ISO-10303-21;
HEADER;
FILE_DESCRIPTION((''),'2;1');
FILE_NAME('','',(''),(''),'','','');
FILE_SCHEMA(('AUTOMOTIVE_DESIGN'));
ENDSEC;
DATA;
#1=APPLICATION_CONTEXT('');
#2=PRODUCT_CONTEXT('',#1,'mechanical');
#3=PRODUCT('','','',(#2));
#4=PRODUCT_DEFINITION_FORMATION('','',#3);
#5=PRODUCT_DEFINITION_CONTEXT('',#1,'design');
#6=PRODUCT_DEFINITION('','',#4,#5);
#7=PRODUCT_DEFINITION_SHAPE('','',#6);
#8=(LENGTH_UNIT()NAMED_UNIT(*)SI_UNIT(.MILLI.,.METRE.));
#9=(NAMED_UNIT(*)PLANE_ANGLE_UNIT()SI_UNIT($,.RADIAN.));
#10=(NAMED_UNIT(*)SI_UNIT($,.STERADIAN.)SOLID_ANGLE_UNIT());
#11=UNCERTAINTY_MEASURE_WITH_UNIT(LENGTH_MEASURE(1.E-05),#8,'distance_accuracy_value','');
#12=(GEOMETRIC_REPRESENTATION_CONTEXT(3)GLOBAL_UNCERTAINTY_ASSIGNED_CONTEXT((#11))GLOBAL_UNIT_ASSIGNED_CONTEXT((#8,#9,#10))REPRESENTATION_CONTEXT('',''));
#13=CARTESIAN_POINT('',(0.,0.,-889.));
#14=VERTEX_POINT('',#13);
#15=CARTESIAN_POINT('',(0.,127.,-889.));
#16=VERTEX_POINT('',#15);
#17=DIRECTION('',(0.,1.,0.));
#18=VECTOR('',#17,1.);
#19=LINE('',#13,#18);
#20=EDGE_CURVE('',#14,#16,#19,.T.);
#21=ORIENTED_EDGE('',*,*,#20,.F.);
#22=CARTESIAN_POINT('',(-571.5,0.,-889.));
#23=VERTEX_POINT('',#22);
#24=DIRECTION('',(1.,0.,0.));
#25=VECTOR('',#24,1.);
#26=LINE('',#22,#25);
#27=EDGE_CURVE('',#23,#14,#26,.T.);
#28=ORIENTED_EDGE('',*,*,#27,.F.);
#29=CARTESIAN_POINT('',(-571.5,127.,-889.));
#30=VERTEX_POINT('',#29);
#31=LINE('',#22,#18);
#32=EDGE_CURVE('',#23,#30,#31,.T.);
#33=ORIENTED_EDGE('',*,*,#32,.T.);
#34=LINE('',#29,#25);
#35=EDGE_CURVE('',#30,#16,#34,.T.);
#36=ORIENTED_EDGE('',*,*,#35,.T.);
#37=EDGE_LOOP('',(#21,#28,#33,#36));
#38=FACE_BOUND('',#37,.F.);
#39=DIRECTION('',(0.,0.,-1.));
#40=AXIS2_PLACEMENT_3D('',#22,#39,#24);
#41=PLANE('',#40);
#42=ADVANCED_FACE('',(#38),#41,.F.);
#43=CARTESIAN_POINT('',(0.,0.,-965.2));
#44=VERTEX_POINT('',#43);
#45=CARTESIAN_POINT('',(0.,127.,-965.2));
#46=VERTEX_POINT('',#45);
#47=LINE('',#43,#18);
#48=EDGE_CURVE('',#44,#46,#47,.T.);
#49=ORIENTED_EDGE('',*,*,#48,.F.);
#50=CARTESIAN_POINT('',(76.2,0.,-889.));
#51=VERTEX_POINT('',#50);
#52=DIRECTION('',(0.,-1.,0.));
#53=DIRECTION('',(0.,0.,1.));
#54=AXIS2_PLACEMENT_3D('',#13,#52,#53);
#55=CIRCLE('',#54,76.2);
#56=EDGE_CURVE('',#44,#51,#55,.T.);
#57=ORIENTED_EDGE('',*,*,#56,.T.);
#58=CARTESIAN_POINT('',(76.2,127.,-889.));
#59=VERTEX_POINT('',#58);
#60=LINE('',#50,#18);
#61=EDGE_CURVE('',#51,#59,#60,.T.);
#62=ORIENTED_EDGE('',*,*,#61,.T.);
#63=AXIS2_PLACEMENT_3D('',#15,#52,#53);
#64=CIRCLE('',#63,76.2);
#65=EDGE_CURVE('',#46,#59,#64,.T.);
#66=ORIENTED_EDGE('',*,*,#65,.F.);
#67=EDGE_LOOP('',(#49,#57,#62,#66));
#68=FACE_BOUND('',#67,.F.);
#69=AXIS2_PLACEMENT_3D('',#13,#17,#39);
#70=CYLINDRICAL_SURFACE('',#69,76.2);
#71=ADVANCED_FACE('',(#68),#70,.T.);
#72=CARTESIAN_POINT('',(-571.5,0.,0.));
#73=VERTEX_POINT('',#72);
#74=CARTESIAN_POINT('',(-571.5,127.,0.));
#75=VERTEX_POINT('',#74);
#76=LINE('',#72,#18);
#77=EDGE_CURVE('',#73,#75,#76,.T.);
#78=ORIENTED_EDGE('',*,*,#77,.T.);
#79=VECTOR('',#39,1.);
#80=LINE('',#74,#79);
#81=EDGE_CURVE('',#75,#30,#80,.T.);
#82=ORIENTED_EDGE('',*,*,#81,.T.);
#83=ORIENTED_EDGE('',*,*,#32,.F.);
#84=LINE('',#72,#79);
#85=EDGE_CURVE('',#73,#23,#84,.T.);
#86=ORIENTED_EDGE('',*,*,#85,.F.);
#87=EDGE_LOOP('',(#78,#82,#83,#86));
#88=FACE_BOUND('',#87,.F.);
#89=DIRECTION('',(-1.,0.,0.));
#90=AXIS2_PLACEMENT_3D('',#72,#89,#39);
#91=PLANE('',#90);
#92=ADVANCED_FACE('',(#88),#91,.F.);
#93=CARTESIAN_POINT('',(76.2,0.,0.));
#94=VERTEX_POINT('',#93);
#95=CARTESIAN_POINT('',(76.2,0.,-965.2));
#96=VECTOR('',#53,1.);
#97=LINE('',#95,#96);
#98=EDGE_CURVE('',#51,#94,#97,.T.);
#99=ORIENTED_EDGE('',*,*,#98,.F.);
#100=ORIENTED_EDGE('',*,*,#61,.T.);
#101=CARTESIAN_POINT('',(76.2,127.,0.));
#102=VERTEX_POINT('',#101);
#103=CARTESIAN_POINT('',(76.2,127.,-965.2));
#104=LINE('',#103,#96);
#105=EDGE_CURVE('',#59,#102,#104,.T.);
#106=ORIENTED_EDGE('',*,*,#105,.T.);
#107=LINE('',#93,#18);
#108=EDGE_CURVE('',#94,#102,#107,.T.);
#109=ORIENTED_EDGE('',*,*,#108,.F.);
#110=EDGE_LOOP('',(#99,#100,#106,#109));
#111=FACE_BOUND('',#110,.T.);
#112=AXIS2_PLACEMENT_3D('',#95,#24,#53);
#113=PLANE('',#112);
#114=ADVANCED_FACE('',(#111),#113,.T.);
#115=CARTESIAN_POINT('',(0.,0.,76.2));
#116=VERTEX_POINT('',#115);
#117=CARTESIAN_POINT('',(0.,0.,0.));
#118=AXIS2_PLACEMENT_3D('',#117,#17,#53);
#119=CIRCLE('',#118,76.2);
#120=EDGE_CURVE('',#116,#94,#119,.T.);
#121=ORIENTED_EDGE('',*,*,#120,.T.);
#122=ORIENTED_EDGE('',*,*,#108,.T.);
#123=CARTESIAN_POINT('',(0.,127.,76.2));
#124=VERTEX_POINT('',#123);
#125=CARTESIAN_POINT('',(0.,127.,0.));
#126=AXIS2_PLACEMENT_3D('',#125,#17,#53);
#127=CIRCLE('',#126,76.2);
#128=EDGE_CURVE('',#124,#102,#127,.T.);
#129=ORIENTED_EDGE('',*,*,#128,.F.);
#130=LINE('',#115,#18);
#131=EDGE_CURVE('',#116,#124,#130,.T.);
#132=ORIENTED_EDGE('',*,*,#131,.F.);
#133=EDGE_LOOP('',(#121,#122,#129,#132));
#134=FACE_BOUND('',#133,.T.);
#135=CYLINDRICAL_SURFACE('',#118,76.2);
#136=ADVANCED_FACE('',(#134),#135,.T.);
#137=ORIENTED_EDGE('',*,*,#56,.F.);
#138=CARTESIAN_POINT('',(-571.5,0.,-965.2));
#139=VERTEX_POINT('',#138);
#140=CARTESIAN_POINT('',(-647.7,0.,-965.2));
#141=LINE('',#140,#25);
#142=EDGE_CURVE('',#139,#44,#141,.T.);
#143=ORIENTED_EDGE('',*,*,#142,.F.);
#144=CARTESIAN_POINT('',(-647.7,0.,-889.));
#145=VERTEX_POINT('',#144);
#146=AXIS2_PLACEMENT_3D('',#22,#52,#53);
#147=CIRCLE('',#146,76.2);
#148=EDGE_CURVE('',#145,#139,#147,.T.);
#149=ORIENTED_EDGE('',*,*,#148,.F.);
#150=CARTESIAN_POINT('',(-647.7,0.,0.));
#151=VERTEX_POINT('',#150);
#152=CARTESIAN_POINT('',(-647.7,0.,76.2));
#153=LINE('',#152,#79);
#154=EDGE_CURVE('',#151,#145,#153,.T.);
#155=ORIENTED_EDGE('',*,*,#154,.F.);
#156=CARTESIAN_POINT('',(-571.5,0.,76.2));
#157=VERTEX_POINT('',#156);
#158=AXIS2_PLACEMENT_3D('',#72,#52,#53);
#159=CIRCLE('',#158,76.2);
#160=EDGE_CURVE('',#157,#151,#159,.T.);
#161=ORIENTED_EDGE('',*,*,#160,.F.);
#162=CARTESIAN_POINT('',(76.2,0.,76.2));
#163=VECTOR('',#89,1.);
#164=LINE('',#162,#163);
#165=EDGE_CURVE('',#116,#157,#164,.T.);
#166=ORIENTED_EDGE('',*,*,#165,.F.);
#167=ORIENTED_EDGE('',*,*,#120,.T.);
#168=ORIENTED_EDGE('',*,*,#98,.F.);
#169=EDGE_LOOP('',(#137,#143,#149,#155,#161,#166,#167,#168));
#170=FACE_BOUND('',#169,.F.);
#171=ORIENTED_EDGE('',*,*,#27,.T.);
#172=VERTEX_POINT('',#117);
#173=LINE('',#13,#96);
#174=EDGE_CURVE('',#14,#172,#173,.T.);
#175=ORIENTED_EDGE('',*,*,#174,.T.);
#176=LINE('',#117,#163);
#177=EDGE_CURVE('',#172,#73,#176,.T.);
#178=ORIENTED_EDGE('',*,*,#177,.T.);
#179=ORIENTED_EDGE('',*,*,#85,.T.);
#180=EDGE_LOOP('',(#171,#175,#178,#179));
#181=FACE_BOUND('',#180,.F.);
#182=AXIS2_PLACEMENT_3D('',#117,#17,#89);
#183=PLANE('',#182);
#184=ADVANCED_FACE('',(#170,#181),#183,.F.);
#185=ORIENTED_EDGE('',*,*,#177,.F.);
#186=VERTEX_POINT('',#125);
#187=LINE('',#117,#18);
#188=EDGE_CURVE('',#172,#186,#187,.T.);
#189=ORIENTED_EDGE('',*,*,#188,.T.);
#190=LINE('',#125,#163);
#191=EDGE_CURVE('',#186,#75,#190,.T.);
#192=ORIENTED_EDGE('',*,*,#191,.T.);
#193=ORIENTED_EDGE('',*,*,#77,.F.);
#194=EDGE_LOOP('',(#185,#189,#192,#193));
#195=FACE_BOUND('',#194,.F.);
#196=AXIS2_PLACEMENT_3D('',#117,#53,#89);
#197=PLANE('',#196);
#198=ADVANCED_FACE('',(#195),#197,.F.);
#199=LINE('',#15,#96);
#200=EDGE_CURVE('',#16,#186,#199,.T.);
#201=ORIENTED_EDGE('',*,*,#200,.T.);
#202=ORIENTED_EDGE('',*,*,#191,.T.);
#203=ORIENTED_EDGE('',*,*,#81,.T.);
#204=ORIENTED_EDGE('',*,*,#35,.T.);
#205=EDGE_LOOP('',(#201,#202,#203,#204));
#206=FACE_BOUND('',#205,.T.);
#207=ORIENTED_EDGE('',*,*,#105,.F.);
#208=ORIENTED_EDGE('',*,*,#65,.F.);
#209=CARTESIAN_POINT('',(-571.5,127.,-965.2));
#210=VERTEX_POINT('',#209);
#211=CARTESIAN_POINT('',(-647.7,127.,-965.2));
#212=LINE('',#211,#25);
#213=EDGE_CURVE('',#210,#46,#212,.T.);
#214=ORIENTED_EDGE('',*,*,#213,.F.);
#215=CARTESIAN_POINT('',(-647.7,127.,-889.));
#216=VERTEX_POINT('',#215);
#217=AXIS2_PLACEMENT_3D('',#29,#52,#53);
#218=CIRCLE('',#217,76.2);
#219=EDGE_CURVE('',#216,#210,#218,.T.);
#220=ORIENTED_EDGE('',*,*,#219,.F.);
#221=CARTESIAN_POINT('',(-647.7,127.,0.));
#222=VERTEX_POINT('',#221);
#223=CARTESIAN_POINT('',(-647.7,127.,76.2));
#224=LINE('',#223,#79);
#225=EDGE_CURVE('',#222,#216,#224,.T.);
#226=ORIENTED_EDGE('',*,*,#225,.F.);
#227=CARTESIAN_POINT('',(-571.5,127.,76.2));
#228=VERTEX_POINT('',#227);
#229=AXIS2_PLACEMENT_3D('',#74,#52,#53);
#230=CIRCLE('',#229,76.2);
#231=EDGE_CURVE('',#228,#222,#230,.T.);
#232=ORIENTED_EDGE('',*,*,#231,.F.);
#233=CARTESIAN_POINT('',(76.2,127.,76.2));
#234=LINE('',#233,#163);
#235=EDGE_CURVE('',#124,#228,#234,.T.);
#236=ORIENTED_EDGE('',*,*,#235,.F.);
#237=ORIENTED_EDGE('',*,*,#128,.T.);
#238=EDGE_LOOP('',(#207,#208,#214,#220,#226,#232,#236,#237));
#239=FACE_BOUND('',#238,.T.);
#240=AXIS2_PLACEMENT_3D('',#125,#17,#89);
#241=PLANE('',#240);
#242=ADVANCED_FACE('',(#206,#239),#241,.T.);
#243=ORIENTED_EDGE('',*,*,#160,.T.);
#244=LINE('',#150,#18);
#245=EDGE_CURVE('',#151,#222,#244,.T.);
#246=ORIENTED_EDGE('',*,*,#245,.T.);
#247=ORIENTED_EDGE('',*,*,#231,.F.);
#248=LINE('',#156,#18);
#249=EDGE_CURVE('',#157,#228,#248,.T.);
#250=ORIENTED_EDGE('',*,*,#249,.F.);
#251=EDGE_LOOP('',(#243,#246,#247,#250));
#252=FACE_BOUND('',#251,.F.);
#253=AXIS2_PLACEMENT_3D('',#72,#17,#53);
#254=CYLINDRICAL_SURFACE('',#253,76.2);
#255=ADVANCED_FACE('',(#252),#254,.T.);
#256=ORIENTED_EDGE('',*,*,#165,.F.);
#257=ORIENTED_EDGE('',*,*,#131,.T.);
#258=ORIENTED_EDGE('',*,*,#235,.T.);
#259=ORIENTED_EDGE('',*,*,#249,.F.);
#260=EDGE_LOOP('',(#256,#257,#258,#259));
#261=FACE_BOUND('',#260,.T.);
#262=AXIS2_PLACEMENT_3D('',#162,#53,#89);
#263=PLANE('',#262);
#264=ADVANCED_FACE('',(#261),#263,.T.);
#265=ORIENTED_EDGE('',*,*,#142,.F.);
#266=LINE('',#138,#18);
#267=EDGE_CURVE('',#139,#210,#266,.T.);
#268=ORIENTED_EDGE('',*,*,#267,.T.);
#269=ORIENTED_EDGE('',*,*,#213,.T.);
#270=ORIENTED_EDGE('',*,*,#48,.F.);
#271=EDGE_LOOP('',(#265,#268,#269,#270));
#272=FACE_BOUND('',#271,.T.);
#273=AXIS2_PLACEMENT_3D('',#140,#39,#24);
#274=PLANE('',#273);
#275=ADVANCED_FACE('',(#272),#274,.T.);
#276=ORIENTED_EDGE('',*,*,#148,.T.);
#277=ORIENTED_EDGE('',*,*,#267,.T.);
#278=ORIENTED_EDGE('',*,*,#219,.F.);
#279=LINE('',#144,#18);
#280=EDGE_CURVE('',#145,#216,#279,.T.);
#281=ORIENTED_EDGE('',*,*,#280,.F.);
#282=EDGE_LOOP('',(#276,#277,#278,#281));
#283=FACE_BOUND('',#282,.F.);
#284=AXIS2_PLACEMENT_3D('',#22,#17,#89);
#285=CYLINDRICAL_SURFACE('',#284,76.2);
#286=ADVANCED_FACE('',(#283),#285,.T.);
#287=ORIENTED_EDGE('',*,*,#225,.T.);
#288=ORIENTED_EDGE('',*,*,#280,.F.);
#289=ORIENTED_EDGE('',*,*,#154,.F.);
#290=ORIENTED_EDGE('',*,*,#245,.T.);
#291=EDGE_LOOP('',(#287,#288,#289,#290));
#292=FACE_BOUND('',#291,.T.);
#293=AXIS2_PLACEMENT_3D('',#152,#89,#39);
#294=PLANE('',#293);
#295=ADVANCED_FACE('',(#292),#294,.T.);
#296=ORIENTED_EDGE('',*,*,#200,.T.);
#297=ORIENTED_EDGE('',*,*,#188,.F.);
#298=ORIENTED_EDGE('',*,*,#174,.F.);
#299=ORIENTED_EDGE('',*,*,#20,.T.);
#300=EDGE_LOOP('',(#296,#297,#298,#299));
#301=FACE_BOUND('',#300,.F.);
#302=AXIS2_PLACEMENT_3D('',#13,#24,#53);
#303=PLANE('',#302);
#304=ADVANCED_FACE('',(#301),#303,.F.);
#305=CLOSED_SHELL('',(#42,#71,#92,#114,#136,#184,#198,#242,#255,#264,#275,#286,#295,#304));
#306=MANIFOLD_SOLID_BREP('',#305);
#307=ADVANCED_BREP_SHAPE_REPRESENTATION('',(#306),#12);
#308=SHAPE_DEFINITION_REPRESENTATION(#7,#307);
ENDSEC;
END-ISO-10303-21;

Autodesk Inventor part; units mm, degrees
ref_plane "YZ Plane" through (0, 0, 0) normal (1, 0, 0) x (0, 1, 0)
ref_plane "XZ Plane" through (0, 0, 0) normal (0, 1, 0) x (-1, 0, 0)
ref_plane "XY Plane" through (0, 0, 0) normal (0, 0, 1) x (1, 0, 0)
sketch "Sketch1" plane through (0, 0, 0) normal (0, 1, 0) x (-1, 0, 0)
  line L0 (0, 0) -> (571.5, 0)
  line L1 (571.5, 0) -> (571.5, -889)
  line L2 (571.5, -889) -> (0, -889)
  line L3 (0, -889) -> (0, 0)
  line L4 (-76.2, 76.2) -> (647.7, 76.2)
  line L5 (647.7, 76.2) -> (647.7, -965.2)
  line L6 (647.7, -965.2) -> (-76.2, -965.2)
  line L7 (-76.2, -965.2) -> (-76.2, 76.2)
  dimension "d0" = 571.5
  dimension "d1" = 889
  dimension "d2" = 76.2
  dimension "d3" = 76.2
  dimension "d4" = 76.2
  dimension "d5" = 76.2
extrude "Extrusion1" add sketch "Sketch1" along normal blind 127
fillet "Fillet1" radius 76.2 4 edges at (-647.7, 63.5, 76.2) (76.2, 63.5, 76.2) (76.2, 63.5, -965.2) (-647.7, 63.5, -965.2)
properties part number "bumper simple"
